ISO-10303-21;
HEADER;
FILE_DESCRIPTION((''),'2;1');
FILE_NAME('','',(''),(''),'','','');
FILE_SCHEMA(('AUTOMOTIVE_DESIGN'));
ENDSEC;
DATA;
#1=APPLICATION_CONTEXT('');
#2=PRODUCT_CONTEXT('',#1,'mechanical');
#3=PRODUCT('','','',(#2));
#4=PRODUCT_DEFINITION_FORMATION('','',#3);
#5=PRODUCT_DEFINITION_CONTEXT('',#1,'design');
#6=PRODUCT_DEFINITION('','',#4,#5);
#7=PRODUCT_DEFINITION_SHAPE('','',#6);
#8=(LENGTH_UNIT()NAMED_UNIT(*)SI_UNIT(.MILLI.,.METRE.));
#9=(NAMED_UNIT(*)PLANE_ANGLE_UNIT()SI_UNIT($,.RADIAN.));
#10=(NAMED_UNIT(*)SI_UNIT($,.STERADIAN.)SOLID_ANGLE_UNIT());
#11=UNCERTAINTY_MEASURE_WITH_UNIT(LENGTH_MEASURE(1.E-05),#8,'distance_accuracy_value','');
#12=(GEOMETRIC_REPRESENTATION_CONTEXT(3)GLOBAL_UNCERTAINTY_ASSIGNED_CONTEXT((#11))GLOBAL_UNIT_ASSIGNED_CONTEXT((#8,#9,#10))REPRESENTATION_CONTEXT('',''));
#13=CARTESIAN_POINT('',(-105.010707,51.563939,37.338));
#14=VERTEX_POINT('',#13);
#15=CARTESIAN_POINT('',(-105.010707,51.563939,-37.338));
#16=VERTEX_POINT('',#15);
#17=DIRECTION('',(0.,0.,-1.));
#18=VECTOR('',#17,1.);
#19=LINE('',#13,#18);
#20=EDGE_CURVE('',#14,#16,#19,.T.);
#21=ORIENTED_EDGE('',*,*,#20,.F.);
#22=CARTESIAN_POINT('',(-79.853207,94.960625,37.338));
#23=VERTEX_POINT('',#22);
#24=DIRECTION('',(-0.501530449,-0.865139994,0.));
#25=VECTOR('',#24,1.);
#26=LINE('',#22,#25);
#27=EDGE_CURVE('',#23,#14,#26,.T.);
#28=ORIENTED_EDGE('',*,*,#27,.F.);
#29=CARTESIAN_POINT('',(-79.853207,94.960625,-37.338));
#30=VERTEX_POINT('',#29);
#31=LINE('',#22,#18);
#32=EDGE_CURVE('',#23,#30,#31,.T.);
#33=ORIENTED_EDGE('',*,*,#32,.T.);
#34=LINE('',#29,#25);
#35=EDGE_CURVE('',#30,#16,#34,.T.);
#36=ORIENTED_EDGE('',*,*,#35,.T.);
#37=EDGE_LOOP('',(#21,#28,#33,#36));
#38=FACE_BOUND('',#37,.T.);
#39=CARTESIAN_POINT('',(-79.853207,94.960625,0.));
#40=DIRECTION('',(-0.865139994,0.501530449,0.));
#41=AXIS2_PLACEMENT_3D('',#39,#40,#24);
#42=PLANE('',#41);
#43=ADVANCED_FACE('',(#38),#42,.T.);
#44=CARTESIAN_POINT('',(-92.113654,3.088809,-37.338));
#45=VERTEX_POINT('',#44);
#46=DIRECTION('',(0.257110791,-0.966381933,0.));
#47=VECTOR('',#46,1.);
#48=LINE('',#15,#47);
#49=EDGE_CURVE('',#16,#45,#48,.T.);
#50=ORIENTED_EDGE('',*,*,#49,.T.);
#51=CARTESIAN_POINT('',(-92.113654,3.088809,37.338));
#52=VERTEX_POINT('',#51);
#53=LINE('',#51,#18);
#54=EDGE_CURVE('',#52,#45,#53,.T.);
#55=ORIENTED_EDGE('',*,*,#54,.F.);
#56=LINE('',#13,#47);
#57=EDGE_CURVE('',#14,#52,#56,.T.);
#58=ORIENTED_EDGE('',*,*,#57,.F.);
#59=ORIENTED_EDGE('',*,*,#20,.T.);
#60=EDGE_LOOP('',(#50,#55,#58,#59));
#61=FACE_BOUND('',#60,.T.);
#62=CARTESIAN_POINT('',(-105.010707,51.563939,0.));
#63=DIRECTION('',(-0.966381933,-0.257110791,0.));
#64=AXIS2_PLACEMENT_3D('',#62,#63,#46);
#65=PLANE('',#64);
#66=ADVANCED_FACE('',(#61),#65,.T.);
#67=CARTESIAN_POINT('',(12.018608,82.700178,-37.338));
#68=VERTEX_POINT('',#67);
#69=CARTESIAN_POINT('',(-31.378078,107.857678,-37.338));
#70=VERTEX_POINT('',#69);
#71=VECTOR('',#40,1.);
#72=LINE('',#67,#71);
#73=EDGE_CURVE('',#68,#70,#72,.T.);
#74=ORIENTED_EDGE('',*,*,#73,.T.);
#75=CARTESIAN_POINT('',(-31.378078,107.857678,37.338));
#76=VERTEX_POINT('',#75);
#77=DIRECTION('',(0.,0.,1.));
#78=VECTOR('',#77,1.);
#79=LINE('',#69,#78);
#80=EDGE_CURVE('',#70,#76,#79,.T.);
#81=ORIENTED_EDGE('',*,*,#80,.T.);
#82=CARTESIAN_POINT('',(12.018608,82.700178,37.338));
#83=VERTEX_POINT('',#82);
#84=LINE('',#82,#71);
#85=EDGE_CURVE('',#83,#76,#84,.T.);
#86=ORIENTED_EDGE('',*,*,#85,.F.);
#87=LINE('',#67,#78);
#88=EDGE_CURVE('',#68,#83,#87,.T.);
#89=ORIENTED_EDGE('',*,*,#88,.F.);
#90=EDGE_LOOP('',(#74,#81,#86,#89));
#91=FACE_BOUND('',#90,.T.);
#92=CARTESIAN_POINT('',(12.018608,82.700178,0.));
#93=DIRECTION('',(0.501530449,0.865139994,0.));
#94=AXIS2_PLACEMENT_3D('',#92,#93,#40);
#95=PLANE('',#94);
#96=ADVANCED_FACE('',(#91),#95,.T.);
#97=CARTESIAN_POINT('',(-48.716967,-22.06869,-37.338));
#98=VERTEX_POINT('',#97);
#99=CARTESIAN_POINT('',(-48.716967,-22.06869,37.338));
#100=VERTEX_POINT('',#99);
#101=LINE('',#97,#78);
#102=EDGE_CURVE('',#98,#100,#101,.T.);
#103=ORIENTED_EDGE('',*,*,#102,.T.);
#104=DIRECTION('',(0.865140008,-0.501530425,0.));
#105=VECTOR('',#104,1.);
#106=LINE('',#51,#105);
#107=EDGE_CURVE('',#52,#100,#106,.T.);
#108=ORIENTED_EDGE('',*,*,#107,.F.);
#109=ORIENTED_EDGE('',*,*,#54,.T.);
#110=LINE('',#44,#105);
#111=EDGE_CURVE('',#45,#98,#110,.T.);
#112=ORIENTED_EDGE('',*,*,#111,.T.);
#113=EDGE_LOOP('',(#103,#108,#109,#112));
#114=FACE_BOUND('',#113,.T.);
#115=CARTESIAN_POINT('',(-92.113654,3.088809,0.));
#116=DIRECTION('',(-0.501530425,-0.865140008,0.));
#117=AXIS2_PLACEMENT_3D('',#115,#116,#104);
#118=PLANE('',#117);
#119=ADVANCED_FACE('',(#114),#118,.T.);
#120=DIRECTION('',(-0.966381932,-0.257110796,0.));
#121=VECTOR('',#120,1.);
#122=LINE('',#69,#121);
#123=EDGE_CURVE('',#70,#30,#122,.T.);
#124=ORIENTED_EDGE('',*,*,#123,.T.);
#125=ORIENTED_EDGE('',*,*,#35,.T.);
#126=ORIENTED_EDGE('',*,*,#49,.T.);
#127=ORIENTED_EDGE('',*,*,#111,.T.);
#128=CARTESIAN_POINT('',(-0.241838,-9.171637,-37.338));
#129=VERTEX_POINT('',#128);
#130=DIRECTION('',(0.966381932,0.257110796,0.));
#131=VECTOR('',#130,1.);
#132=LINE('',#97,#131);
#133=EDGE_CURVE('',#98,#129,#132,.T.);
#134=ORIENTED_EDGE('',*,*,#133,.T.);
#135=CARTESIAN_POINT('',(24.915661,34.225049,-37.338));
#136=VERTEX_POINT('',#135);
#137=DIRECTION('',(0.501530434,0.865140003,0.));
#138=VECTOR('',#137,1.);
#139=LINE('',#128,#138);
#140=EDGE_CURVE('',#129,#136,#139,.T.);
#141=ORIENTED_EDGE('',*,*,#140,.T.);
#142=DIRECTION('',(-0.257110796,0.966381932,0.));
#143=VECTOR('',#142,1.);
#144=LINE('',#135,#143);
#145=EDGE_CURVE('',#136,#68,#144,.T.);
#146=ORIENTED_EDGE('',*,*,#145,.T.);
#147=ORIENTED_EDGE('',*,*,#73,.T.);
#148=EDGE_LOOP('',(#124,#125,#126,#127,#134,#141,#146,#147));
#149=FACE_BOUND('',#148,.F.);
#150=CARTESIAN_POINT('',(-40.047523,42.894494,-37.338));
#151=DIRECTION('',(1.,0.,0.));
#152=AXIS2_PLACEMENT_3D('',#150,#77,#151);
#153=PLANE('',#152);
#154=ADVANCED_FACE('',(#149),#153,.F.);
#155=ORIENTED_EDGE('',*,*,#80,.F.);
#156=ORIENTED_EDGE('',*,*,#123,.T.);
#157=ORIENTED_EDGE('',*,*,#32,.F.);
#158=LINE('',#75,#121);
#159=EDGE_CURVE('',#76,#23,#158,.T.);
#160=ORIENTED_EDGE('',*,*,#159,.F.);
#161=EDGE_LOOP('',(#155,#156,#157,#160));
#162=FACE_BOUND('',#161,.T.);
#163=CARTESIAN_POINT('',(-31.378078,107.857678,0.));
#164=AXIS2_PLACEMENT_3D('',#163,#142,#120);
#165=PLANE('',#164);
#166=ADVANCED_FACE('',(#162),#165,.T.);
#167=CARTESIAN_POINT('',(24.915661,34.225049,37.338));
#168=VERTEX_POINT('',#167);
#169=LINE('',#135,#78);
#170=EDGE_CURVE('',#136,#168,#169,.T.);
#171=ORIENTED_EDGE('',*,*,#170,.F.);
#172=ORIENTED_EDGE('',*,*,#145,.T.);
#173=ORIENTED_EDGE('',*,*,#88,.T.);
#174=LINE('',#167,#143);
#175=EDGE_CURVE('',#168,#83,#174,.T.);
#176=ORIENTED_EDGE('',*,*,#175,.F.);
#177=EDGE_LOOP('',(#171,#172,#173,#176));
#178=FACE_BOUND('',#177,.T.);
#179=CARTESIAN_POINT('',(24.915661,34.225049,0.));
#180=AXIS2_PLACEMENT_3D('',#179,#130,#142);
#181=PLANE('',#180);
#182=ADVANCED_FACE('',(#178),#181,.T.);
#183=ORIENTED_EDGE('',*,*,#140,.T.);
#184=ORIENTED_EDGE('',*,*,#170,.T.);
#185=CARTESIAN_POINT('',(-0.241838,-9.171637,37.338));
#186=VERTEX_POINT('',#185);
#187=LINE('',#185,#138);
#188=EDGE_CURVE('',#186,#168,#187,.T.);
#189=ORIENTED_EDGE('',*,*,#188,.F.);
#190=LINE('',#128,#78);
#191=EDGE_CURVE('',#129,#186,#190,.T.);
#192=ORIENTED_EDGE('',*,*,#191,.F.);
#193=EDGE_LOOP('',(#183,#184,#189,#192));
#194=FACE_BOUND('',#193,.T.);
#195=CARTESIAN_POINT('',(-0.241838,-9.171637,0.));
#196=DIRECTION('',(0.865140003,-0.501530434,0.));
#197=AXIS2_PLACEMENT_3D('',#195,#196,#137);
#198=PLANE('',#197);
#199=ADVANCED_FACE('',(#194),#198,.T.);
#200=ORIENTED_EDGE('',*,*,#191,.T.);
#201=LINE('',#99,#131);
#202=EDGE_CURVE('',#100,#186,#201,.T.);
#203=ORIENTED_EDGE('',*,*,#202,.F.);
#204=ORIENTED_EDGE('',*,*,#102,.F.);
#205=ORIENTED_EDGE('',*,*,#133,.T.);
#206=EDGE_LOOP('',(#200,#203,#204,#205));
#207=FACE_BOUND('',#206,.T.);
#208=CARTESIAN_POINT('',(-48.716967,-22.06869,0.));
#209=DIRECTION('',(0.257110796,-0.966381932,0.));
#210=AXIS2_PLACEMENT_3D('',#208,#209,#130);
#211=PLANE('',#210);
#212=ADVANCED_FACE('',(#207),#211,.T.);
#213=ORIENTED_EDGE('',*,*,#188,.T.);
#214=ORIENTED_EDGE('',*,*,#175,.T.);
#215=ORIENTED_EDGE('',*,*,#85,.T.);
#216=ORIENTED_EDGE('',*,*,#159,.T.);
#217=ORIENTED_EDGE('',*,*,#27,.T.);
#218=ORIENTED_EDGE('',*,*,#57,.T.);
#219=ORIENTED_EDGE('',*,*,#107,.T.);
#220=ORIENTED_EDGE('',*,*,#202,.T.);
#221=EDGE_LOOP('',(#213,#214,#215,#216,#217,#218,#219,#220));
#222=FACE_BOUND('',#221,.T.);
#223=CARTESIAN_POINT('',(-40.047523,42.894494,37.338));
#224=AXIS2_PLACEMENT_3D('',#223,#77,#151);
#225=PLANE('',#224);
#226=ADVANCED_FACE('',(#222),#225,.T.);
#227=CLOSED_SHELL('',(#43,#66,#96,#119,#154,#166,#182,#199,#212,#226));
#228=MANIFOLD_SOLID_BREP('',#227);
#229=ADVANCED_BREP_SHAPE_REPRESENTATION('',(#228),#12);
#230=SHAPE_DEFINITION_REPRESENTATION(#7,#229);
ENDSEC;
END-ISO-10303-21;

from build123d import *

# Parameters (mm, degrees)
F1_DEPTH = 37.338


with BuildPart() as f1:
    # F0 (on Top) → F1 (new body, symmetric)
    with BuildSketch(Plane.XY):
        Polygon((-92.113654, 3.088809), (-48.716967, -22.06869), (-0.241838, -9.171637), (24.915661, 34.225049), (12.018608, 82.700178), (-31.378078, 107.857678), (-79.853207, 94.960625), (-105.010707, 51.563939), align=None)
    extrude(amount=F1_DEPTH, both=True)


solid = f1.part
